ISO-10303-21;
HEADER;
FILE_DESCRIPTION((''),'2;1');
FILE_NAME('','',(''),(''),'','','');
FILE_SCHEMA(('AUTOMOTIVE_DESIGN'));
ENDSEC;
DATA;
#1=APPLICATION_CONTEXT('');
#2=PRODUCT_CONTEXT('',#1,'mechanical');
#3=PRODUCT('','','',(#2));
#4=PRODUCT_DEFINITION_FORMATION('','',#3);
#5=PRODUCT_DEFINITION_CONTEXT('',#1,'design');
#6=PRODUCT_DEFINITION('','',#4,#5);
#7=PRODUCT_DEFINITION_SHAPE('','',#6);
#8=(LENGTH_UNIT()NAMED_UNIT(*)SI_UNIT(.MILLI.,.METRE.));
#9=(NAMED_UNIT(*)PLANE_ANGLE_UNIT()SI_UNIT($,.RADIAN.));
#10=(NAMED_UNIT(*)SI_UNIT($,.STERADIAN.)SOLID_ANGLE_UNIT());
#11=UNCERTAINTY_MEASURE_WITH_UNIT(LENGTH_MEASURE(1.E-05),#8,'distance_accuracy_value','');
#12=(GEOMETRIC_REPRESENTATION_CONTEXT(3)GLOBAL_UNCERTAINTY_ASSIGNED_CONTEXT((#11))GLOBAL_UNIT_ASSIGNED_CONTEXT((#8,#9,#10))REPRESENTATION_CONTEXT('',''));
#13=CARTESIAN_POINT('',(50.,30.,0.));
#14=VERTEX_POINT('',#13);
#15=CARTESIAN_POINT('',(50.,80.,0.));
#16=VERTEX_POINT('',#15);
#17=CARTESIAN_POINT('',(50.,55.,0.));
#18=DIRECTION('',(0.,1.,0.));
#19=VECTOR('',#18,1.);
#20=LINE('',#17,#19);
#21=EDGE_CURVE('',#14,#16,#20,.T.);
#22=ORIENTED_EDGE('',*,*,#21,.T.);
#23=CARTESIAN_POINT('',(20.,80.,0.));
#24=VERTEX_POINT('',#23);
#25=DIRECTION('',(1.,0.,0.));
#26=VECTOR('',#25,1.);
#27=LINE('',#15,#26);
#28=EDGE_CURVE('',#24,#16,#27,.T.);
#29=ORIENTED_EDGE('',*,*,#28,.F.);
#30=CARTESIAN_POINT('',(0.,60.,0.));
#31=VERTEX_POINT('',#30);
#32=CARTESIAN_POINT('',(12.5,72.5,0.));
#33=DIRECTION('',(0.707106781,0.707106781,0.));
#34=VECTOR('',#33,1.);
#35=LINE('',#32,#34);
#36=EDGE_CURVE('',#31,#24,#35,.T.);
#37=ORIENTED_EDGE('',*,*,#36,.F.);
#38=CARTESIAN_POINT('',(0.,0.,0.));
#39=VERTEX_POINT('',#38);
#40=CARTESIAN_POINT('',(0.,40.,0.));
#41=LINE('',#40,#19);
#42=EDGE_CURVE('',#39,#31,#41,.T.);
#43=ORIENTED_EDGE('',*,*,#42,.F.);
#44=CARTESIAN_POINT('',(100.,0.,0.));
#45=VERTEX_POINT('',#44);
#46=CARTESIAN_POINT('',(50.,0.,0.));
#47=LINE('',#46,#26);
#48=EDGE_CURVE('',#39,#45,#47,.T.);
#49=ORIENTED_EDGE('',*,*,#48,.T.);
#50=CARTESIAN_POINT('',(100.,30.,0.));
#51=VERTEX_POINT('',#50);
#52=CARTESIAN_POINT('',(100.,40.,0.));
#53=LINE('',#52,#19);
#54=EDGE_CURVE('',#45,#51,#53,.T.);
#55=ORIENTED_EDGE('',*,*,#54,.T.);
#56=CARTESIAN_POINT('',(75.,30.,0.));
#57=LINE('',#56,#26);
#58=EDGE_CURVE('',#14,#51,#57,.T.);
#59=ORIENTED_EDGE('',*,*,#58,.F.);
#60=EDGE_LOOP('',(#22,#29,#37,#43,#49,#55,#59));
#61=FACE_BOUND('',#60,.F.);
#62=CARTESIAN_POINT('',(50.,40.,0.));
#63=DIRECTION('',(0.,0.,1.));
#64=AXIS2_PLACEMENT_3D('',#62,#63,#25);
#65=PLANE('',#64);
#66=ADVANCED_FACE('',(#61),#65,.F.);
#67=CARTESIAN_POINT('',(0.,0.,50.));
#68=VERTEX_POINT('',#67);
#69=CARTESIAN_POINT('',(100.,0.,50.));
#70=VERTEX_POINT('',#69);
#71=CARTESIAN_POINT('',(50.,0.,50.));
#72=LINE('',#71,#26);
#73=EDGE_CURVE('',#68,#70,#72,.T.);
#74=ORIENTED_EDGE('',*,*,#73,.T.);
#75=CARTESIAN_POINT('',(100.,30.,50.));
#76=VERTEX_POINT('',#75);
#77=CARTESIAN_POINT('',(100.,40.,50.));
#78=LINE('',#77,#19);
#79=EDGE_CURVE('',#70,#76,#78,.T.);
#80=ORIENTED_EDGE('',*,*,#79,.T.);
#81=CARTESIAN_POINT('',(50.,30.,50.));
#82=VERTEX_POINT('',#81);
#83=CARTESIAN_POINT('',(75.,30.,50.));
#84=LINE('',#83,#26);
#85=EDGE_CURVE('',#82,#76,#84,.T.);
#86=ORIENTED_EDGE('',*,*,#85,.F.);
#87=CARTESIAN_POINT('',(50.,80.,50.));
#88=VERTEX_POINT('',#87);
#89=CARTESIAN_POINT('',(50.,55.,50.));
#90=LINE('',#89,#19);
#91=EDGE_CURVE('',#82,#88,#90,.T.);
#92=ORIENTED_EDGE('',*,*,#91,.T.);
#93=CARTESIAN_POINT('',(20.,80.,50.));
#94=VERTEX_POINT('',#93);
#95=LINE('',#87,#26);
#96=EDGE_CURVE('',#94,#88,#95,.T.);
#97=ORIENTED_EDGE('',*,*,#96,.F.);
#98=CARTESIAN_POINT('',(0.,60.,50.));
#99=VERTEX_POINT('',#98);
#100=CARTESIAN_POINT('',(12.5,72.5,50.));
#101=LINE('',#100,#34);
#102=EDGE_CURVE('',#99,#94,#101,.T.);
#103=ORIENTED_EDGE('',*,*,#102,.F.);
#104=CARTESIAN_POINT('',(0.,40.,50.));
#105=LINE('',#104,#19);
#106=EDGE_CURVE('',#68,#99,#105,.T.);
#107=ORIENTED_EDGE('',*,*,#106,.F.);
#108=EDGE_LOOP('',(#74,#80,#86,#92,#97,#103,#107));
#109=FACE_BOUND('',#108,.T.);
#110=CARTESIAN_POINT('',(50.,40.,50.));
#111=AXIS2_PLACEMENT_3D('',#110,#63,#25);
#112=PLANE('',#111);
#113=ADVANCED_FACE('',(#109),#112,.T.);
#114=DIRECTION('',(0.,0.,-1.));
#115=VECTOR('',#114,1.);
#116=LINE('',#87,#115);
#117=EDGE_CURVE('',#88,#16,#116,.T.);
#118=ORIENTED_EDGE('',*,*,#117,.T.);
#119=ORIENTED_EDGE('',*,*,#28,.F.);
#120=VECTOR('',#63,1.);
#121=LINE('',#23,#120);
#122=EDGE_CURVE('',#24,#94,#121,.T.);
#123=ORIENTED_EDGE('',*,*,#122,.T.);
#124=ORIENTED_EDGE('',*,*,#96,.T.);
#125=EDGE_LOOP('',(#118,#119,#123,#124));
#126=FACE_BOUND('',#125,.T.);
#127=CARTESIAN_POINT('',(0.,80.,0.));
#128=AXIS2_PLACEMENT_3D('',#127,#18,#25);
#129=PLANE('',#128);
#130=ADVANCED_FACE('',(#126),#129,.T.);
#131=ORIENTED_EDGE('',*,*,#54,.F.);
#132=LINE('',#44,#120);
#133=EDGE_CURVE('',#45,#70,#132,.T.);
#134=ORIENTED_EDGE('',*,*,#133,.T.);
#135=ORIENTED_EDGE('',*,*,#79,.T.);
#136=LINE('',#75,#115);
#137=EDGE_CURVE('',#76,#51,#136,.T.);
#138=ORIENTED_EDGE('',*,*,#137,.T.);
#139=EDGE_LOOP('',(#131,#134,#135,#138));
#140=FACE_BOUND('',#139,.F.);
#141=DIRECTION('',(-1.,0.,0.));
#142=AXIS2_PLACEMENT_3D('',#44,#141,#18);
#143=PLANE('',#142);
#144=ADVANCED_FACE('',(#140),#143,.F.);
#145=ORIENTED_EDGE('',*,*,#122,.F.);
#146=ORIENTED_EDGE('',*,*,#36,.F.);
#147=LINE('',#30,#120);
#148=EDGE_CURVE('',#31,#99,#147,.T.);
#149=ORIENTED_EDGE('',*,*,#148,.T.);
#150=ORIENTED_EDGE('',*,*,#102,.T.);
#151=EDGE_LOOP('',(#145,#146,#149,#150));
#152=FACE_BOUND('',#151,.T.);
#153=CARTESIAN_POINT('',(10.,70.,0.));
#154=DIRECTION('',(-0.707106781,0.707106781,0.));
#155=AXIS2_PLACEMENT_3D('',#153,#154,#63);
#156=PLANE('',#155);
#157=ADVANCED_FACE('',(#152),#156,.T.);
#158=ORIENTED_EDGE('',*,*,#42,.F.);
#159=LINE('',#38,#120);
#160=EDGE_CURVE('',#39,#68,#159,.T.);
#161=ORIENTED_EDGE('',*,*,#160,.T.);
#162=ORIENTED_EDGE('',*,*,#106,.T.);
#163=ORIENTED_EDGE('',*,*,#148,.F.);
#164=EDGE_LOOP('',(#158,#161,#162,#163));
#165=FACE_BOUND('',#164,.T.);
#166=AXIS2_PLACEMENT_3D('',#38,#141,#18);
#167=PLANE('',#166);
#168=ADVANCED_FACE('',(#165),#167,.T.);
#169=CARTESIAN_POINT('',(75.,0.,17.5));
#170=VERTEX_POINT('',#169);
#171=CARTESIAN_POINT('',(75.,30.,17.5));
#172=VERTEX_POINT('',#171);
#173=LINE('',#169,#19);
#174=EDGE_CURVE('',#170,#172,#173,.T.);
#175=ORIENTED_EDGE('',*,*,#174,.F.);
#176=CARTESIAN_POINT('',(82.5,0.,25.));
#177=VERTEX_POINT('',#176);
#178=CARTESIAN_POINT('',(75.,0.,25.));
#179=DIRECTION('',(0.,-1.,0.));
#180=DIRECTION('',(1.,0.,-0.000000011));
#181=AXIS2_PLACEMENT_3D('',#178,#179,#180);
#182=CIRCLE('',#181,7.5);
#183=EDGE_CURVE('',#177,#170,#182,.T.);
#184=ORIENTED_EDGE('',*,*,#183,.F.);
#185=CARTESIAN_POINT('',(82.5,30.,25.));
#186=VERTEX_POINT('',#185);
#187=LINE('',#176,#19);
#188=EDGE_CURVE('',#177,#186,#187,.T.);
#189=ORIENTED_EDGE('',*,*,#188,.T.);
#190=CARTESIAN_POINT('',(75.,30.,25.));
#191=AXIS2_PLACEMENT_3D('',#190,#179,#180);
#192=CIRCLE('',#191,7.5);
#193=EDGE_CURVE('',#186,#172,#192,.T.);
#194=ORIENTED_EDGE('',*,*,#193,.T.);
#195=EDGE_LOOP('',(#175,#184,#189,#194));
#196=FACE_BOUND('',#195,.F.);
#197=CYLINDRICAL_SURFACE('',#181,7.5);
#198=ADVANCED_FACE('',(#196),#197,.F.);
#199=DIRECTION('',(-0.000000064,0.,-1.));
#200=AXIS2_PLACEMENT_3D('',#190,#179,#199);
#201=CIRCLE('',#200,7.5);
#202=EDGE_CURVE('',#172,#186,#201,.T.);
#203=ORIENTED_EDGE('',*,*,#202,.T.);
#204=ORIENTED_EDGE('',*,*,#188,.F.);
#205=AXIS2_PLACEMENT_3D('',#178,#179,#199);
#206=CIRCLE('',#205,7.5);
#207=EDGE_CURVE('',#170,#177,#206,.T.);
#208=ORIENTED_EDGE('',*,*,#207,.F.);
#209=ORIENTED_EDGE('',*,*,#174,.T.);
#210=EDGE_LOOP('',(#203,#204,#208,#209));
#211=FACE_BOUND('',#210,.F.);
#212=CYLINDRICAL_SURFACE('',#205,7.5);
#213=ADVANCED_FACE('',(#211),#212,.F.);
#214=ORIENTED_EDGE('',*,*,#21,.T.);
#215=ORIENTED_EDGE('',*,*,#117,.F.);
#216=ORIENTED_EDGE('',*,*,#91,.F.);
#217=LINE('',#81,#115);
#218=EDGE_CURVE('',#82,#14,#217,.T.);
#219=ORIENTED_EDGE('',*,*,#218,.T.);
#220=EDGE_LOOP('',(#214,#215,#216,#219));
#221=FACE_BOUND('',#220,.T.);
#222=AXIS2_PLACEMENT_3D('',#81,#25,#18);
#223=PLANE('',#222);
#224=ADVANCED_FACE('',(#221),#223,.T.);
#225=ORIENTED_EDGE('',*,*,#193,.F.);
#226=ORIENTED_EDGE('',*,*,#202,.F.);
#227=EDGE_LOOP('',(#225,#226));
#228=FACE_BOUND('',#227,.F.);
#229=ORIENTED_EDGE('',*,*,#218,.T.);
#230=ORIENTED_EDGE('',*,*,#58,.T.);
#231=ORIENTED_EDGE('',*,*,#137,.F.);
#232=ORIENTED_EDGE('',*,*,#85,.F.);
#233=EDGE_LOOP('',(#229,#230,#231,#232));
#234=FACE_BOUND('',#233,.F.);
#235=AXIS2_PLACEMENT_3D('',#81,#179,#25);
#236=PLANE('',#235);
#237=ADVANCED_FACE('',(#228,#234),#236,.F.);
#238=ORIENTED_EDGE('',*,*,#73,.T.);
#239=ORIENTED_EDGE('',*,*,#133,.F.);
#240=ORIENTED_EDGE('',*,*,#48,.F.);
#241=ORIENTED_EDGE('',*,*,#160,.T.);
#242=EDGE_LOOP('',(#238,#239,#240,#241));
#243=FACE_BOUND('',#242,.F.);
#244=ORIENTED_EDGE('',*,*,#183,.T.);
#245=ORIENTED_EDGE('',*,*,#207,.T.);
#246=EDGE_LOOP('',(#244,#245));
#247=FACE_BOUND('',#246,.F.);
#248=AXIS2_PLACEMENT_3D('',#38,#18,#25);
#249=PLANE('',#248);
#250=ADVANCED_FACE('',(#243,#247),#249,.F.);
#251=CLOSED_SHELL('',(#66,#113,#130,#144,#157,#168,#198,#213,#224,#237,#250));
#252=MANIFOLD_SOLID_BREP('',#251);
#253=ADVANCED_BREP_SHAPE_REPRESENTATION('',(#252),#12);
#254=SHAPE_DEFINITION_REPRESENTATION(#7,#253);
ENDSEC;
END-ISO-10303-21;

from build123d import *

# Parameters (mm, degrees)
F0_W     = 100
F0_H     = 80
F1_DEPTH = 50
F2_W     = 50
F2_H     = 50
F3_DEPTH = 50
F4_SIZE  = 20
F7_DEPTH = 80.001


with BuildPart() as f1:
    # F0 (on Top) → F1 (new body)
    with BuildSketch(Plane.XY):
        with Locations((50, 40)):
            Rectangle(F0_W, F0_H)
    extrude(amount=F1_DEPTH)

    # F2 (on face) → F3 (cut, through all)
    with BuildSketch(Plane.XY.offset(50)):
        with Locations((75, 55)):
            Rectangle(F2_W, F2_H)
    extrude(amount=-F3_DEPTH, mode=Mode.SUBTRACT)

    # F4
    f4_edges = [f1.edges().sort_by_distance(p)[0] for p in [
        (0, 80, 25),
    ]]
    chamfer(f4_edges, length=F4_SIZE)

    # F6 (on face) → F7 (cut, through all)
    with BuildSketch(Plane.XZ):
        with BuildLine():
            ThreePointArc((82.5, 25), (69.696699, 30.303301), (75, 17.5))
            ThreePointArc((75, 17.5), (80.303301, 19.696699), (82.5, 25))
        make_face()
    extrude(amount=-F7_DEPTH, mode=Mode.SUBTRACT)


solid = f1.part
